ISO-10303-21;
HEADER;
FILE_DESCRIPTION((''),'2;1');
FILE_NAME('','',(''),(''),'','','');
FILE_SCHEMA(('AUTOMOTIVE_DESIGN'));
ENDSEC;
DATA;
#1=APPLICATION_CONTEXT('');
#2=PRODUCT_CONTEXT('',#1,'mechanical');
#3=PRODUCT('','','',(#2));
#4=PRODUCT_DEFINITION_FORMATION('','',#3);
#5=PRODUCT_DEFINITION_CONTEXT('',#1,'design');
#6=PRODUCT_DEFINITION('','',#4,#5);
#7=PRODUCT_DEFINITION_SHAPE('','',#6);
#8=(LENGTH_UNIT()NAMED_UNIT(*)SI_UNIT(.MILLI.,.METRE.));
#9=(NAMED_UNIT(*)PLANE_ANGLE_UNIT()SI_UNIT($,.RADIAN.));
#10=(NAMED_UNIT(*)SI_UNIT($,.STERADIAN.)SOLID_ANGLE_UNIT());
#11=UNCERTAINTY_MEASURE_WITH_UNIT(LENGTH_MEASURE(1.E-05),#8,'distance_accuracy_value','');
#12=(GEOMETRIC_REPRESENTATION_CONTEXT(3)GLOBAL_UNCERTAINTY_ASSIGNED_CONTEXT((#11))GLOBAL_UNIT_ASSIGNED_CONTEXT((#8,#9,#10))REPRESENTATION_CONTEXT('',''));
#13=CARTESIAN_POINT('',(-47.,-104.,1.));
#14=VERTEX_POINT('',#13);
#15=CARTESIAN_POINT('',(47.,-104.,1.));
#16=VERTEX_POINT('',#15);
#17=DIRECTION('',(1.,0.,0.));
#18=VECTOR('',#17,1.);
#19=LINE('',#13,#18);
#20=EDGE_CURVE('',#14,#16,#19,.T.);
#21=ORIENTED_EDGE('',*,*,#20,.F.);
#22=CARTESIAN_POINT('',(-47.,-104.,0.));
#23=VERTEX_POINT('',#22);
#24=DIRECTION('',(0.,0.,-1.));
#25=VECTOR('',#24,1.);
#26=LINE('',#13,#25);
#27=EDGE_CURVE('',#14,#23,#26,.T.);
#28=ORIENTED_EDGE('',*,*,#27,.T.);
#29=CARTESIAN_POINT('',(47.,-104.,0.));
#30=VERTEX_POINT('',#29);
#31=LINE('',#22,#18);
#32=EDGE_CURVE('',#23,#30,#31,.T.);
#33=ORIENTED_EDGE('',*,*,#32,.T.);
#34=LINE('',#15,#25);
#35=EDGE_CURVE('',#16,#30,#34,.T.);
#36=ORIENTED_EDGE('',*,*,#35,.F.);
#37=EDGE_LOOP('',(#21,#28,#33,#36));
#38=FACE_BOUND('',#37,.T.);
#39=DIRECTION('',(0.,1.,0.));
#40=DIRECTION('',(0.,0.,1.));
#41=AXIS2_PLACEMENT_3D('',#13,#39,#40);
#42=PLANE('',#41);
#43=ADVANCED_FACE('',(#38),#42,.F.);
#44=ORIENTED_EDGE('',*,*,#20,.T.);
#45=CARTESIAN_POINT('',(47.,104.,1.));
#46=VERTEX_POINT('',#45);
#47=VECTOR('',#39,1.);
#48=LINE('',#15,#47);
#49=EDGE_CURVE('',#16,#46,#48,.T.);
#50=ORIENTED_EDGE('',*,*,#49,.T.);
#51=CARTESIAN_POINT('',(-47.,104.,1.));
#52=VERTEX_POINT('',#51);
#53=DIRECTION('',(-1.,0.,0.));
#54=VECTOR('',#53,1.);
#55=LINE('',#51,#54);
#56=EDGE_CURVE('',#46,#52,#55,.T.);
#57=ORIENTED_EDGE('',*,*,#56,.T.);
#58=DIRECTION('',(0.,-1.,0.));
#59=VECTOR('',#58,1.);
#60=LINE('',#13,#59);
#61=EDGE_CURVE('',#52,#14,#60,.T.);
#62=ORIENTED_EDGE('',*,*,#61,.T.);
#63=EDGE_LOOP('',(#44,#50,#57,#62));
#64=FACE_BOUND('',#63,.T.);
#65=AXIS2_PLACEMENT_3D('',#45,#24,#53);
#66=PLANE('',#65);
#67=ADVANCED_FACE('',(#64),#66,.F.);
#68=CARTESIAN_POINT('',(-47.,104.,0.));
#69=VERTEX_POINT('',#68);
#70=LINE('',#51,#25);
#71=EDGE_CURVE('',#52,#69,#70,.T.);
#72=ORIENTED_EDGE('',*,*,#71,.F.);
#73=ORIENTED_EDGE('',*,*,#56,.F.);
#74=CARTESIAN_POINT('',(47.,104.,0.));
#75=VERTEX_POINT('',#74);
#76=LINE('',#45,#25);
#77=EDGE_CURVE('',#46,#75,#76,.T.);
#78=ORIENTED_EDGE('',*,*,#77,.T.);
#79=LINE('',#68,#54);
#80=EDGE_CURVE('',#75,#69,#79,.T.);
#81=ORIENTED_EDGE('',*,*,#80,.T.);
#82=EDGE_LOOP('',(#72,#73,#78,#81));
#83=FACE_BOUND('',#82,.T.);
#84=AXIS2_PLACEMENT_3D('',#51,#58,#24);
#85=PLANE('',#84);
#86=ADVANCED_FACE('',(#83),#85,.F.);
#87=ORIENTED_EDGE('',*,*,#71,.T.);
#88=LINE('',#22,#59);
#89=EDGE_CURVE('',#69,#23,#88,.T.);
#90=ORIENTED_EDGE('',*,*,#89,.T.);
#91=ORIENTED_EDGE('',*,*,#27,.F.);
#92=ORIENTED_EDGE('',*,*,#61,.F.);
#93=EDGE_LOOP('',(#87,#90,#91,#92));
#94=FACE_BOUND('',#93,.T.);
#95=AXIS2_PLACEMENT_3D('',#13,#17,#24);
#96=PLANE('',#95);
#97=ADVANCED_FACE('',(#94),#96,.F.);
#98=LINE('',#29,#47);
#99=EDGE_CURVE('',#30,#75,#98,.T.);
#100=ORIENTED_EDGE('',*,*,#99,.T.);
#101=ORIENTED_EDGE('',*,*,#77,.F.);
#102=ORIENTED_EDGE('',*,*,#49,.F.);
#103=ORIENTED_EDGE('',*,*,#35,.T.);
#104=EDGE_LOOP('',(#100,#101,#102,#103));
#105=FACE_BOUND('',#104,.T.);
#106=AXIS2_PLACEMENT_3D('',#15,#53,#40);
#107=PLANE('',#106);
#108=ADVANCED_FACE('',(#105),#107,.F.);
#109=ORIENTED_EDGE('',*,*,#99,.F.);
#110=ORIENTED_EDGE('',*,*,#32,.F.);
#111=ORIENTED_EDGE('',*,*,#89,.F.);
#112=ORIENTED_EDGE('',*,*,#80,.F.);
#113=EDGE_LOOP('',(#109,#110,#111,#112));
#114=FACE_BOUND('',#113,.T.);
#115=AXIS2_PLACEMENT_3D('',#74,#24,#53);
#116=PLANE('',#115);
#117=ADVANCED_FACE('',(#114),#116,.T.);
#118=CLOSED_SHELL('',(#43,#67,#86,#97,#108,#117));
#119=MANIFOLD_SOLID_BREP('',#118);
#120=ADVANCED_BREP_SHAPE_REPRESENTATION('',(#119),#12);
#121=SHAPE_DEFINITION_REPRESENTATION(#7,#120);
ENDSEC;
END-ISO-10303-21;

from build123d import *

# Parameters (mm, degrees)
ESBO_O1_W                = 94
ESBO_O1_H                = 208
RESSALTO_EXTRUS_O1_DEPTH = 1


with BuildPart() as part:
    # Esboço1 → Ressalto-extrusão1 (new body)
    with BuildSketch(Plane.XY):
        Rectangle(ESBO_O1_W, ESBO_O1_H)
    extrude(amount=RESSALTO_EXTRUS_O1_DEPTH)


solid = part.part
